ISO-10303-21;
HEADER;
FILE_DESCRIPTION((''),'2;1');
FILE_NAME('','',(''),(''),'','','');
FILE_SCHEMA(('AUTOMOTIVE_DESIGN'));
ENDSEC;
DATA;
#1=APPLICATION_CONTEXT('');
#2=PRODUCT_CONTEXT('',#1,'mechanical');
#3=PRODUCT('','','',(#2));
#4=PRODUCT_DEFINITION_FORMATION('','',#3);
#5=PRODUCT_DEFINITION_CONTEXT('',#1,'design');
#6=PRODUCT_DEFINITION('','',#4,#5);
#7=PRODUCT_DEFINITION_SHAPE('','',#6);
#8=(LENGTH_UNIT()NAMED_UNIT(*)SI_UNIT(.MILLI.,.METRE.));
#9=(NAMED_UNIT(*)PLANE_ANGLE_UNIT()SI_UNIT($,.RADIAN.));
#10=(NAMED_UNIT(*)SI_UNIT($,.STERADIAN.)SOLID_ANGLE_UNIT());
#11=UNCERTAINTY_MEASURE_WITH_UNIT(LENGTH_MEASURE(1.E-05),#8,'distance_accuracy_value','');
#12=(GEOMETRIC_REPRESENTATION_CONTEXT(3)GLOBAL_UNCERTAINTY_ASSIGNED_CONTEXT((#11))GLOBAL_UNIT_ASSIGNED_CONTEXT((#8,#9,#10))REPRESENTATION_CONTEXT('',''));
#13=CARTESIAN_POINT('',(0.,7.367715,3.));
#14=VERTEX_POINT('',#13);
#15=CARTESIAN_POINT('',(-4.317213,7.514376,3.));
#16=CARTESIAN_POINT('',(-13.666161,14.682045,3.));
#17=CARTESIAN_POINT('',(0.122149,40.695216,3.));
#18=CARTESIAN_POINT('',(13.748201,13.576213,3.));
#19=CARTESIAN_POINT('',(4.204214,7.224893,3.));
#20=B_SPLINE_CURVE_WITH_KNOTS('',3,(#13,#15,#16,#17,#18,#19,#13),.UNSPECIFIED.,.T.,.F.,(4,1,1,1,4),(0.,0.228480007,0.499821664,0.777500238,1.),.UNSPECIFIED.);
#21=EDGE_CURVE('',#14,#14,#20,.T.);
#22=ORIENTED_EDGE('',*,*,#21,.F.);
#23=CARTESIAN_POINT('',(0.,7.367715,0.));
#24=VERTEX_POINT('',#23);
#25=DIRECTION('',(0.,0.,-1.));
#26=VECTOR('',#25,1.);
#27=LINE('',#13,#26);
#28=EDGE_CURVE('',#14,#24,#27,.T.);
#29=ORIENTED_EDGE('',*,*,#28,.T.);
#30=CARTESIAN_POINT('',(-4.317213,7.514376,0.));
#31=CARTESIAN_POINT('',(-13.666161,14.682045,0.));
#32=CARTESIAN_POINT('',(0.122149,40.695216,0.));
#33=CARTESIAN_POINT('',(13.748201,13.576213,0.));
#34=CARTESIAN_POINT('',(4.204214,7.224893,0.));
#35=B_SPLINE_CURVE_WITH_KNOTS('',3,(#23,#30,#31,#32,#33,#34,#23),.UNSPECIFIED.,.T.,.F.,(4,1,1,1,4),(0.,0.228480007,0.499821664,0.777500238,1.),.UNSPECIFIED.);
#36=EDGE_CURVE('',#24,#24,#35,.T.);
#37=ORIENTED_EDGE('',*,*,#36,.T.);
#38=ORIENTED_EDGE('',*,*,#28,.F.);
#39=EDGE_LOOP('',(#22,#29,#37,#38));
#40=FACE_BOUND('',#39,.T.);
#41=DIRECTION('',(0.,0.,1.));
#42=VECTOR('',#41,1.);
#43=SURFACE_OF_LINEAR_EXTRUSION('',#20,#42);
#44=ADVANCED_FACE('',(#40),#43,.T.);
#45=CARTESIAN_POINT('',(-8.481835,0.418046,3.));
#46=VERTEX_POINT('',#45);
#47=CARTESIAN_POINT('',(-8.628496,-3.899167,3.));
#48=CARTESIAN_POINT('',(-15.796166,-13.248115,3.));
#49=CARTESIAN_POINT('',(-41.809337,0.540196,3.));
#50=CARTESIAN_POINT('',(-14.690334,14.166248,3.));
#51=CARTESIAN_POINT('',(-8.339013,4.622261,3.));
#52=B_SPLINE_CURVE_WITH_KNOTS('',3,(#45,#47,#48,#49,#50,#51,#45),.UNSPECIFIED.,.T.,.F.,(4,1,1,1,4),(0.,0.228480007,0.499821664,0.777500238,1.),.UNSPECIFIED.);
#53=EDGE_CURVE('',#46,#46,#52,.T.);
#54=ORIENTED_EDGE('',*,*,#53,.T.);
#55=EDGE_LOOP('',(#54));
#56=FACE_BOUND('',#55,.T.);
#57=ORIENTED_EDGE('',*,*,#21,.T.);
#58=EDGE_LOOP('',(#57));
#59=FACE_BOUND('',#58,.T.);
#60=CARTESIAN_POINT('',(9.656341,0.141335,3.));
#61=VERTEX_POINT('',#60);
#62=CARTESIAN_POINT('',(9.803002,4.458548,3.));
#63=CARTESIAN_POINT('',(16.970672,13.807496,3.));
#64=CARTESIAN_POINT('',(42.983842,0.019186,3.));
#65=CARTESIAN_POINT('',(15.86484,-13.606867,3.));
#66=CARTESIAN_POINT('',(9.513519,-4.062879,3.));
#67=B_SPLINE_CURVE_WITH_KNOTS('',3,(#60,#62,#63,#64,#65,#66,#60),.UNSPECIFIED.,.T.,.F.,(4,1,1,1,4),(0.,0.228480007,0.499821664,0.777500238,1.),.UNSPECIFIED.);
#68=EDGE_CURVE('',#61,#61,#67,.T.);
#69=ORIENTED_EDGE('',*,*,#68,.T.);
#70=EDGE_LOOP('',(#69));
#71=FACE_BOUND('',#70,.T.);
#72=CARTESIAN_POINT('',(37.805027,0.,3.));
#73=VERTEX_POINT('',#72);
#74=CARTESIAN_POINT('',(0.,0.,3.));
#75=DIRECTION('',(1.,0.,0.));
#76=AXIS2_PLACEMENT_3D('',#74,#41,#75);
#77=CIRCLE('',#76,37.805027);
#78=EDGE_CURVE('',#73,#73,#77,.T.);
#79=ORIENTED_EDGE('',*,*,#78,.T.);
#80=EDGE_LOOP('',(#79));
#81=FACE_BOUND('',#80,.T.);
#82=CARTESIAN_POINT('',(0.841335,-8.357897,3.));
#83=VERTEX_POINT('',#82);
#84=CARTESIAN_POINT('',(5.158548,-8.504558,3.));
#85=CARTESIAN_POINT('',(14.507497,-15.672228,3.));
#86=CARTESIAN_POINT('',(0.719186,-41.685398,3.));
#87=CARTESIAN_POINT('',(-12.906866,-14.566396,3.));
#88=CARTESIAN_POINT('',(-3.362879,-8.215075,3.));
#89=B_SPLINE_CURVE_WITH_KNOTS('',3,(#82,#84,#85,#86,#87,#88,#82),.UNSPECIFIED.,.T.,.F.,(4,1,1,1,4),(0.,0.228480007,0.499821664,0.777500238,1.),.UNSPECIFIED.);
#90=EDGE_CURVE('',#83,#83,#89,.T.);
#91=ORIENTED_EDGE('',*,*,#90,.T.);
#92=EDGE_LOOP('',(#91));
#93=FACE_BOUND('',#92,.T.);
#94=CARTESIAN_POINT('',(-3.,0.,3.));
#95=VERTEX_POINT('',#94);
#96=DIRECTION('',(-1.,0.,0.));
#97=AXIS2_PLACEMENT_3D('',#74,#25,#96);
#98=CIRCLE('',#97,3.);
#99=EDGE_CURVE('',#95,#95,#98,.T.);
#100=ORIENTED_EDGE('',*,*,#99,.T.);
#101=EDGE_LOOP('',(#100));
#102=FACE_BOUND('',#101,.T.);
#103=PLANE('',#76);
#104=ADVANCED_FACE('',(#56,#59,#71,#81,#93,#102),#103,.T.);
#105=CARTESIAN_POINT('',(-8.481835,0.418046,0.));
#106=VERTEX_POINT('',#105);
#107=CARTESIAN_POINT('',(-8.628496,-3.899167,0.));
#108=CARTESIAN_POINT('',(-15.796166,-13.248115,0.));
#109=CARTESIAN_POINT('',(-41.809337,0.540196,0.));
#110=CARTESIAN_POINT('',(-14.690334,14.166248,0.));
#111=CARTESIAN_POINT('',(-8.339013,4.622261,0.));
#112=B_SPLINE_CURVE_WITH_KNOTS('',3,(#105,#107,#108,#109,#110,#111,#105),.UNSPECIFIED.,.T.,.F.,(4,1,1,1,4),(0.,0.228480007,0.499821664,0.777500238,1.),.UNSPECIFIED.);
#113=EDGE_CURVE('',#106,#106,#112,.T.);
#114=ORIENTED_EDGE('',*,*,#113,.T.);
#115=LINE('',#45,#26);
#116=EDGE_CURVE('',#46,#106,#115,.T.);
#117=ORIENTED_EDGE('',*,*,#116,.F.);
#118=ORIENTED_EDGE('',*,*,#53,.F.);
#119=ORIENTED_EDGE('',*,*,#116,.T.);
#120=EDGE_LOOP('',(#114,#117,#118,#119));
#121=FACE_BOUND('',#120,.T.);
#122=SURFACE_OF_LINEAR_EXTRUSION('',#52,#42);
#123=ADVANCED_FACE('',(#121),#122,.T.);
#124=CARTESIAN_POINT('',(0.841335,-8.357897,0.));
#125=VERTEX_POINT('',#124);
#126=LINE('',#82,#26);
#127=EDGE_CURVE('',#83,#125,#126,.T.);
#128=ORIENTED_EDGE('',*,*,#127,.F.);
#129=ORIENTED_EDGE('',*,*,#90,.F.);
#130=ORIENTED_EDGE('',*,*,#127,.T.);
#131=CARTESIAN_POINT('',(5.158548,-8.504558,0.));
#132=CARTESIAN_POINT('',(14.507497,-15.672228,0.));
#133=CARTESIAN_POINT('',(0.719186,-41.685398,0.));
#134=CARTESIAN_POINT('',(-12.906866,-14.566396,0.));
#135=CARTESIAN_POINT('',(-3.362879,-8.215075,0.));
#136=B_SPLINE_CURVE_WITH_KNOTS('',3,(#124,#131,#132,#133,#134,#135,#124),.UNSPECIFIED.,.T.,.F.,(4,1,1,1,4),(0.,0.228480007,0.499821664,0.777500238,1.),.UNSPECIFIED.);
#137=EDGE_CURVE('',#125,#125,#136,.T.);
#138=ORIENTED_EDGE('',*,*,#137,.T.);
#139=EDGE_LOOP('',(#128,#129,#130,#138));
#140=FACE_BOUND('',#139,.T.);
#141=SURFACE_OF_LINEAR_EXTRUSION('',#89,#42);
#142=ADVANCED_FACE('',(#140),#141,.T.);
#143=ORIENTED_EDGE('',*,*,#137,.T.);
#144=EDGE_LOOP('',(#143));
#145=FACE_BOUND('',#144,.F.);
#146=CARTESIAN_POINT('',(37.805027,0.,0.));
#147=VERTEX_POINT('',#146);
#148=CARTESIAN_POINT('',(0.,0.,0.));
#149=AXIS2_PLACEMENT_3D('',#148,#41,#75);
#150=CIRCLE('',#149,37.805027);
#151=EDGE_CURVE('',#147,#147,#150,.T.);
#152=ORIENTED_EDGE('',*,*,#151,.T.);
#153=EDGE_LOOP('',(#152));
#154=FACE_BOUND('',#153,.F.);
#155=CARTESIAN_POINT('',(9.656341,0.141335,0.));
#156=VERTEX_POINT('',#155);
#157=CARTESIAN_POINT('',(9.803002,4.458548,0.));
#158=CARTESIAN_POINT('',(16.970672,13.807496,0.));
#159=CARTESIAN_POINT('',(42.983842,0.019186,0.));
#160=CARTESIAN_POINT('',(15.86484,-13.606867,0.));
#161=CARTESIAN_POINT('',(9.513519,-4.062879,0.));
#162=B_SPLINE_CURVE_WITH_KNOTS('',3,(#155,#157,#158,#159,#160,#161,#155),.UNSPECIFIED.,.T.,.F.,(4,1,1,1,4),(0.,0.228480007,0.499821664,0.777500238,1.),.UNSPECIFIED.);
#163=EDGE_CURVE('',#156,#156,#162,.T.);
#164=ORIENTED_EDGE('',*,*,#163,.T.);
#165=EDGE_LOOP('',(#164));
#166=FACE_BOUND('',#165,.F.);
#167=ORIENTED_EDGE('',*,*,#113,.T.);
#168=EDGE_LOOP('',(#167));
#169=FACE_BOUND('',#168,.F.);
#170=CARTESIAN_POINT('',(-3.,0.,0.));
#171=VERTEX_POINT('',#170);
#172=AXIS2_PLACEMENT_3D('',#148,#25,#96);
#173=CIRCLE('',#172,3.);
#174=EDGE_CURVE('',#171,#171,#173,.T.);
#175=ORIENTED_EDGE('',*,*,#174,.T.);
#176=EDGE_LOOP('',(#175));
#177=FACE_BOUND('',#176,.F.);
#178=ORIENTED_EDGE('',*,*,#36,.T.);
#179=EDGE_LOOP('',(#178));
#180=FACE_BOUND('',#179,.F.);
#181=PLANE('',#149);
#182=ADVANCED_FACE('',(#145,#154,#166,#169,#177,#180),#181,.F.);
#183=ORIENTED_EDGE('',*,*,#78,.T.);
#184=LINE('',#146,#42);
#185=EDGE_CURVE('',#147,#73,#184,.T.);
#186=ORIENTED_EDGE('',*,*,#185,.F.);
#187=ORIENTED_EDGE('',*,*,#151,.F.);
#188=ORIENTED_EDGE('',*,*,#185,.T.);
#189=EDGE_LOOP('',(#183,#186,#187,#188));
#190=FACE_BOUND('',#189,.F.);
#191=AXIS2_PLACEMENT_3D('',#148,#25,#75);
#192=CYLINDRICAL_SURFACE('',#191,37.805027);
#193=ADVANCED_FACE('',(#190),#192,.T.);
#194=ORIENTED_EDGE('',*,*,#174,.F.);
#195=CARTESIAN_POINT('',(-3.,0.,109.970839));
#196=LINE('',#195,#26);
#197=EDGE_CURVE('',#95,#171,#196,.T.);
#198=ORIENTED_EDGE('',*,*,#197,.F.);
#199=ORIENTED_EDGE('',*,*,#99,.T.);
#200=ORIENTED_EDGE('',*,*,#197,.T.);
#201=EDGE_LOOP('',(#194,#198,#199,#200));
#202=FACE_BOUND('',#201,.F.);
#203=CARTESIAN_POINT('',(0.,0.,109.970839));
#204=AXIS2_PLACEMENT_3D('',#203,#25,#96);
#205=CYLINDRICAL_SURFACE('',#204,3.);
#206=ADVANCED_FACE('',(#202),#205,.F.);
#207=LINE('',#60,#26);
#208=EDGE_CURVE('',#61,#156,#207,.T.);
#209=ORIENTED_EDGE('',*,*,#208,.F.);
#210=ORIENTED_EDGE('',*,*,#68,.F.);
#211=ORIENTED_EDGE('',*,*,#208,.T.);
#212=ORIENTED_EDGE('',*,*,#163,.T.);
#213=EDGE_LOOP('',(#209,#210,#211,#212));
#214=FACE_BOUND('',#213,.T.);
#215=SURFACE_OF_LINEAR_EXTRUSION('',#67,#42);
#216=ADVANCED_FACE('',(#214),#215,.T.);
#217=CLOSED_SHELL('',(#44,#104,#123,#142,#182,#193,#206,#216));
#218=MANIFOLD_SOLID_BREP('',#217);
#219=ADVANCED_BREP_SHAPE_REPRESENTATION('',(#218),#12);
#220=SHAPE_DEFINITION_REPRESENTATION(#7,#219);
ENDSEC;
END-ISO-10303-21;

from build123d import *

# Parameters (mm, degrees)
F0_R     = 37.8050267404
F1_DEPTH = 3
F3_D     = 6
F5_DEPTH = 3


with BuildPart() as f1:
    # F0 (on Top) → F1 (new body)
    with BuildSketch(Plane.XY):
        Circle(F0_R)
    extrude(amount=F1_DEPTH)

    # F3 (through all)
    with Locations(Plane.XY.offset(3)):
        with Locations((0, 0)):
            Hole(F3_D / 2)

    # F4 (on face) → F5 (cut)
    with BuildSketch(Plane.XY.offset(3)):
        with BuildLine():
            add(Edge.make_bspline(
                [(0, 7.3677147739), (-4.3172130985, 7.5143755854), (-13.6661611311, 14.6820454611), (0.12214911, 40.695215941), (13.7482012339, 13.5762134247), (4.2042141951, 7.2248926681), (0, 7.3677147739)],
                knots=[0, 0, 0, 0, 0.2284800069, 0.499821664, 0.7775002377, 1, 1, 1, 1], degree=3))
        make_face()
        with BuildLine():
            add(Edge.make_bspline(
                [(-8.4818354808, 0.4180464894), (-8.6284962923, -3.8991666092), (-15.796166168, -13.2481146417), (-41.8093366479, 0.5401955994), (-14.6903341316, 14.1662477233), (-8.339013375, 4.6222606845), (-8.4818354808, 0.4180464894)],
                knots=[0, 0, 0, 0, 0.2284800069, 0.499821664, 0.7775002377, 1, 1, 1, 1], degree=3))
        make_face()
        with BuildLine():
            add(Edge.make_bspline(
                [(0.8413353935, -8.3578969352), (5.158548492, -8.5045577467), (14.5074965246, -15.6722276224), (0.7191862834, -41.6853981023), (-12.9068658404, -14.566395586), (-3.3628788016, -8.2150748295), (0.8413353935, -8.3578969352)],
                knots=[0, 0, 0, 0, 0.2284800069, 0.499821664, 0.7775002377, 1, 1, 1, 1], degree=3))
        make_face()
        with BuildLine():
            add(Edge.make_bspline(
                [(9.6563412808, 0.14133472), (9.8030020923, 4.4585478185), (16.970671968, 13.807495851), (42.9838424479, 0.0191856099), (15.8648399316, -13.606866514), (9.513519175, -4.0628794752), (9.6563412808, 0.14133472)],
                knots=[0, 0, 0, 0, 0.2284800069, 0.499821664, 0.7775002377, 1, 1, 1, 1], degree=3))
        make_face()
    extrude(amount=-F5_DEPTH, mode=Mode.SUBTRACT)


solid = f1.part
